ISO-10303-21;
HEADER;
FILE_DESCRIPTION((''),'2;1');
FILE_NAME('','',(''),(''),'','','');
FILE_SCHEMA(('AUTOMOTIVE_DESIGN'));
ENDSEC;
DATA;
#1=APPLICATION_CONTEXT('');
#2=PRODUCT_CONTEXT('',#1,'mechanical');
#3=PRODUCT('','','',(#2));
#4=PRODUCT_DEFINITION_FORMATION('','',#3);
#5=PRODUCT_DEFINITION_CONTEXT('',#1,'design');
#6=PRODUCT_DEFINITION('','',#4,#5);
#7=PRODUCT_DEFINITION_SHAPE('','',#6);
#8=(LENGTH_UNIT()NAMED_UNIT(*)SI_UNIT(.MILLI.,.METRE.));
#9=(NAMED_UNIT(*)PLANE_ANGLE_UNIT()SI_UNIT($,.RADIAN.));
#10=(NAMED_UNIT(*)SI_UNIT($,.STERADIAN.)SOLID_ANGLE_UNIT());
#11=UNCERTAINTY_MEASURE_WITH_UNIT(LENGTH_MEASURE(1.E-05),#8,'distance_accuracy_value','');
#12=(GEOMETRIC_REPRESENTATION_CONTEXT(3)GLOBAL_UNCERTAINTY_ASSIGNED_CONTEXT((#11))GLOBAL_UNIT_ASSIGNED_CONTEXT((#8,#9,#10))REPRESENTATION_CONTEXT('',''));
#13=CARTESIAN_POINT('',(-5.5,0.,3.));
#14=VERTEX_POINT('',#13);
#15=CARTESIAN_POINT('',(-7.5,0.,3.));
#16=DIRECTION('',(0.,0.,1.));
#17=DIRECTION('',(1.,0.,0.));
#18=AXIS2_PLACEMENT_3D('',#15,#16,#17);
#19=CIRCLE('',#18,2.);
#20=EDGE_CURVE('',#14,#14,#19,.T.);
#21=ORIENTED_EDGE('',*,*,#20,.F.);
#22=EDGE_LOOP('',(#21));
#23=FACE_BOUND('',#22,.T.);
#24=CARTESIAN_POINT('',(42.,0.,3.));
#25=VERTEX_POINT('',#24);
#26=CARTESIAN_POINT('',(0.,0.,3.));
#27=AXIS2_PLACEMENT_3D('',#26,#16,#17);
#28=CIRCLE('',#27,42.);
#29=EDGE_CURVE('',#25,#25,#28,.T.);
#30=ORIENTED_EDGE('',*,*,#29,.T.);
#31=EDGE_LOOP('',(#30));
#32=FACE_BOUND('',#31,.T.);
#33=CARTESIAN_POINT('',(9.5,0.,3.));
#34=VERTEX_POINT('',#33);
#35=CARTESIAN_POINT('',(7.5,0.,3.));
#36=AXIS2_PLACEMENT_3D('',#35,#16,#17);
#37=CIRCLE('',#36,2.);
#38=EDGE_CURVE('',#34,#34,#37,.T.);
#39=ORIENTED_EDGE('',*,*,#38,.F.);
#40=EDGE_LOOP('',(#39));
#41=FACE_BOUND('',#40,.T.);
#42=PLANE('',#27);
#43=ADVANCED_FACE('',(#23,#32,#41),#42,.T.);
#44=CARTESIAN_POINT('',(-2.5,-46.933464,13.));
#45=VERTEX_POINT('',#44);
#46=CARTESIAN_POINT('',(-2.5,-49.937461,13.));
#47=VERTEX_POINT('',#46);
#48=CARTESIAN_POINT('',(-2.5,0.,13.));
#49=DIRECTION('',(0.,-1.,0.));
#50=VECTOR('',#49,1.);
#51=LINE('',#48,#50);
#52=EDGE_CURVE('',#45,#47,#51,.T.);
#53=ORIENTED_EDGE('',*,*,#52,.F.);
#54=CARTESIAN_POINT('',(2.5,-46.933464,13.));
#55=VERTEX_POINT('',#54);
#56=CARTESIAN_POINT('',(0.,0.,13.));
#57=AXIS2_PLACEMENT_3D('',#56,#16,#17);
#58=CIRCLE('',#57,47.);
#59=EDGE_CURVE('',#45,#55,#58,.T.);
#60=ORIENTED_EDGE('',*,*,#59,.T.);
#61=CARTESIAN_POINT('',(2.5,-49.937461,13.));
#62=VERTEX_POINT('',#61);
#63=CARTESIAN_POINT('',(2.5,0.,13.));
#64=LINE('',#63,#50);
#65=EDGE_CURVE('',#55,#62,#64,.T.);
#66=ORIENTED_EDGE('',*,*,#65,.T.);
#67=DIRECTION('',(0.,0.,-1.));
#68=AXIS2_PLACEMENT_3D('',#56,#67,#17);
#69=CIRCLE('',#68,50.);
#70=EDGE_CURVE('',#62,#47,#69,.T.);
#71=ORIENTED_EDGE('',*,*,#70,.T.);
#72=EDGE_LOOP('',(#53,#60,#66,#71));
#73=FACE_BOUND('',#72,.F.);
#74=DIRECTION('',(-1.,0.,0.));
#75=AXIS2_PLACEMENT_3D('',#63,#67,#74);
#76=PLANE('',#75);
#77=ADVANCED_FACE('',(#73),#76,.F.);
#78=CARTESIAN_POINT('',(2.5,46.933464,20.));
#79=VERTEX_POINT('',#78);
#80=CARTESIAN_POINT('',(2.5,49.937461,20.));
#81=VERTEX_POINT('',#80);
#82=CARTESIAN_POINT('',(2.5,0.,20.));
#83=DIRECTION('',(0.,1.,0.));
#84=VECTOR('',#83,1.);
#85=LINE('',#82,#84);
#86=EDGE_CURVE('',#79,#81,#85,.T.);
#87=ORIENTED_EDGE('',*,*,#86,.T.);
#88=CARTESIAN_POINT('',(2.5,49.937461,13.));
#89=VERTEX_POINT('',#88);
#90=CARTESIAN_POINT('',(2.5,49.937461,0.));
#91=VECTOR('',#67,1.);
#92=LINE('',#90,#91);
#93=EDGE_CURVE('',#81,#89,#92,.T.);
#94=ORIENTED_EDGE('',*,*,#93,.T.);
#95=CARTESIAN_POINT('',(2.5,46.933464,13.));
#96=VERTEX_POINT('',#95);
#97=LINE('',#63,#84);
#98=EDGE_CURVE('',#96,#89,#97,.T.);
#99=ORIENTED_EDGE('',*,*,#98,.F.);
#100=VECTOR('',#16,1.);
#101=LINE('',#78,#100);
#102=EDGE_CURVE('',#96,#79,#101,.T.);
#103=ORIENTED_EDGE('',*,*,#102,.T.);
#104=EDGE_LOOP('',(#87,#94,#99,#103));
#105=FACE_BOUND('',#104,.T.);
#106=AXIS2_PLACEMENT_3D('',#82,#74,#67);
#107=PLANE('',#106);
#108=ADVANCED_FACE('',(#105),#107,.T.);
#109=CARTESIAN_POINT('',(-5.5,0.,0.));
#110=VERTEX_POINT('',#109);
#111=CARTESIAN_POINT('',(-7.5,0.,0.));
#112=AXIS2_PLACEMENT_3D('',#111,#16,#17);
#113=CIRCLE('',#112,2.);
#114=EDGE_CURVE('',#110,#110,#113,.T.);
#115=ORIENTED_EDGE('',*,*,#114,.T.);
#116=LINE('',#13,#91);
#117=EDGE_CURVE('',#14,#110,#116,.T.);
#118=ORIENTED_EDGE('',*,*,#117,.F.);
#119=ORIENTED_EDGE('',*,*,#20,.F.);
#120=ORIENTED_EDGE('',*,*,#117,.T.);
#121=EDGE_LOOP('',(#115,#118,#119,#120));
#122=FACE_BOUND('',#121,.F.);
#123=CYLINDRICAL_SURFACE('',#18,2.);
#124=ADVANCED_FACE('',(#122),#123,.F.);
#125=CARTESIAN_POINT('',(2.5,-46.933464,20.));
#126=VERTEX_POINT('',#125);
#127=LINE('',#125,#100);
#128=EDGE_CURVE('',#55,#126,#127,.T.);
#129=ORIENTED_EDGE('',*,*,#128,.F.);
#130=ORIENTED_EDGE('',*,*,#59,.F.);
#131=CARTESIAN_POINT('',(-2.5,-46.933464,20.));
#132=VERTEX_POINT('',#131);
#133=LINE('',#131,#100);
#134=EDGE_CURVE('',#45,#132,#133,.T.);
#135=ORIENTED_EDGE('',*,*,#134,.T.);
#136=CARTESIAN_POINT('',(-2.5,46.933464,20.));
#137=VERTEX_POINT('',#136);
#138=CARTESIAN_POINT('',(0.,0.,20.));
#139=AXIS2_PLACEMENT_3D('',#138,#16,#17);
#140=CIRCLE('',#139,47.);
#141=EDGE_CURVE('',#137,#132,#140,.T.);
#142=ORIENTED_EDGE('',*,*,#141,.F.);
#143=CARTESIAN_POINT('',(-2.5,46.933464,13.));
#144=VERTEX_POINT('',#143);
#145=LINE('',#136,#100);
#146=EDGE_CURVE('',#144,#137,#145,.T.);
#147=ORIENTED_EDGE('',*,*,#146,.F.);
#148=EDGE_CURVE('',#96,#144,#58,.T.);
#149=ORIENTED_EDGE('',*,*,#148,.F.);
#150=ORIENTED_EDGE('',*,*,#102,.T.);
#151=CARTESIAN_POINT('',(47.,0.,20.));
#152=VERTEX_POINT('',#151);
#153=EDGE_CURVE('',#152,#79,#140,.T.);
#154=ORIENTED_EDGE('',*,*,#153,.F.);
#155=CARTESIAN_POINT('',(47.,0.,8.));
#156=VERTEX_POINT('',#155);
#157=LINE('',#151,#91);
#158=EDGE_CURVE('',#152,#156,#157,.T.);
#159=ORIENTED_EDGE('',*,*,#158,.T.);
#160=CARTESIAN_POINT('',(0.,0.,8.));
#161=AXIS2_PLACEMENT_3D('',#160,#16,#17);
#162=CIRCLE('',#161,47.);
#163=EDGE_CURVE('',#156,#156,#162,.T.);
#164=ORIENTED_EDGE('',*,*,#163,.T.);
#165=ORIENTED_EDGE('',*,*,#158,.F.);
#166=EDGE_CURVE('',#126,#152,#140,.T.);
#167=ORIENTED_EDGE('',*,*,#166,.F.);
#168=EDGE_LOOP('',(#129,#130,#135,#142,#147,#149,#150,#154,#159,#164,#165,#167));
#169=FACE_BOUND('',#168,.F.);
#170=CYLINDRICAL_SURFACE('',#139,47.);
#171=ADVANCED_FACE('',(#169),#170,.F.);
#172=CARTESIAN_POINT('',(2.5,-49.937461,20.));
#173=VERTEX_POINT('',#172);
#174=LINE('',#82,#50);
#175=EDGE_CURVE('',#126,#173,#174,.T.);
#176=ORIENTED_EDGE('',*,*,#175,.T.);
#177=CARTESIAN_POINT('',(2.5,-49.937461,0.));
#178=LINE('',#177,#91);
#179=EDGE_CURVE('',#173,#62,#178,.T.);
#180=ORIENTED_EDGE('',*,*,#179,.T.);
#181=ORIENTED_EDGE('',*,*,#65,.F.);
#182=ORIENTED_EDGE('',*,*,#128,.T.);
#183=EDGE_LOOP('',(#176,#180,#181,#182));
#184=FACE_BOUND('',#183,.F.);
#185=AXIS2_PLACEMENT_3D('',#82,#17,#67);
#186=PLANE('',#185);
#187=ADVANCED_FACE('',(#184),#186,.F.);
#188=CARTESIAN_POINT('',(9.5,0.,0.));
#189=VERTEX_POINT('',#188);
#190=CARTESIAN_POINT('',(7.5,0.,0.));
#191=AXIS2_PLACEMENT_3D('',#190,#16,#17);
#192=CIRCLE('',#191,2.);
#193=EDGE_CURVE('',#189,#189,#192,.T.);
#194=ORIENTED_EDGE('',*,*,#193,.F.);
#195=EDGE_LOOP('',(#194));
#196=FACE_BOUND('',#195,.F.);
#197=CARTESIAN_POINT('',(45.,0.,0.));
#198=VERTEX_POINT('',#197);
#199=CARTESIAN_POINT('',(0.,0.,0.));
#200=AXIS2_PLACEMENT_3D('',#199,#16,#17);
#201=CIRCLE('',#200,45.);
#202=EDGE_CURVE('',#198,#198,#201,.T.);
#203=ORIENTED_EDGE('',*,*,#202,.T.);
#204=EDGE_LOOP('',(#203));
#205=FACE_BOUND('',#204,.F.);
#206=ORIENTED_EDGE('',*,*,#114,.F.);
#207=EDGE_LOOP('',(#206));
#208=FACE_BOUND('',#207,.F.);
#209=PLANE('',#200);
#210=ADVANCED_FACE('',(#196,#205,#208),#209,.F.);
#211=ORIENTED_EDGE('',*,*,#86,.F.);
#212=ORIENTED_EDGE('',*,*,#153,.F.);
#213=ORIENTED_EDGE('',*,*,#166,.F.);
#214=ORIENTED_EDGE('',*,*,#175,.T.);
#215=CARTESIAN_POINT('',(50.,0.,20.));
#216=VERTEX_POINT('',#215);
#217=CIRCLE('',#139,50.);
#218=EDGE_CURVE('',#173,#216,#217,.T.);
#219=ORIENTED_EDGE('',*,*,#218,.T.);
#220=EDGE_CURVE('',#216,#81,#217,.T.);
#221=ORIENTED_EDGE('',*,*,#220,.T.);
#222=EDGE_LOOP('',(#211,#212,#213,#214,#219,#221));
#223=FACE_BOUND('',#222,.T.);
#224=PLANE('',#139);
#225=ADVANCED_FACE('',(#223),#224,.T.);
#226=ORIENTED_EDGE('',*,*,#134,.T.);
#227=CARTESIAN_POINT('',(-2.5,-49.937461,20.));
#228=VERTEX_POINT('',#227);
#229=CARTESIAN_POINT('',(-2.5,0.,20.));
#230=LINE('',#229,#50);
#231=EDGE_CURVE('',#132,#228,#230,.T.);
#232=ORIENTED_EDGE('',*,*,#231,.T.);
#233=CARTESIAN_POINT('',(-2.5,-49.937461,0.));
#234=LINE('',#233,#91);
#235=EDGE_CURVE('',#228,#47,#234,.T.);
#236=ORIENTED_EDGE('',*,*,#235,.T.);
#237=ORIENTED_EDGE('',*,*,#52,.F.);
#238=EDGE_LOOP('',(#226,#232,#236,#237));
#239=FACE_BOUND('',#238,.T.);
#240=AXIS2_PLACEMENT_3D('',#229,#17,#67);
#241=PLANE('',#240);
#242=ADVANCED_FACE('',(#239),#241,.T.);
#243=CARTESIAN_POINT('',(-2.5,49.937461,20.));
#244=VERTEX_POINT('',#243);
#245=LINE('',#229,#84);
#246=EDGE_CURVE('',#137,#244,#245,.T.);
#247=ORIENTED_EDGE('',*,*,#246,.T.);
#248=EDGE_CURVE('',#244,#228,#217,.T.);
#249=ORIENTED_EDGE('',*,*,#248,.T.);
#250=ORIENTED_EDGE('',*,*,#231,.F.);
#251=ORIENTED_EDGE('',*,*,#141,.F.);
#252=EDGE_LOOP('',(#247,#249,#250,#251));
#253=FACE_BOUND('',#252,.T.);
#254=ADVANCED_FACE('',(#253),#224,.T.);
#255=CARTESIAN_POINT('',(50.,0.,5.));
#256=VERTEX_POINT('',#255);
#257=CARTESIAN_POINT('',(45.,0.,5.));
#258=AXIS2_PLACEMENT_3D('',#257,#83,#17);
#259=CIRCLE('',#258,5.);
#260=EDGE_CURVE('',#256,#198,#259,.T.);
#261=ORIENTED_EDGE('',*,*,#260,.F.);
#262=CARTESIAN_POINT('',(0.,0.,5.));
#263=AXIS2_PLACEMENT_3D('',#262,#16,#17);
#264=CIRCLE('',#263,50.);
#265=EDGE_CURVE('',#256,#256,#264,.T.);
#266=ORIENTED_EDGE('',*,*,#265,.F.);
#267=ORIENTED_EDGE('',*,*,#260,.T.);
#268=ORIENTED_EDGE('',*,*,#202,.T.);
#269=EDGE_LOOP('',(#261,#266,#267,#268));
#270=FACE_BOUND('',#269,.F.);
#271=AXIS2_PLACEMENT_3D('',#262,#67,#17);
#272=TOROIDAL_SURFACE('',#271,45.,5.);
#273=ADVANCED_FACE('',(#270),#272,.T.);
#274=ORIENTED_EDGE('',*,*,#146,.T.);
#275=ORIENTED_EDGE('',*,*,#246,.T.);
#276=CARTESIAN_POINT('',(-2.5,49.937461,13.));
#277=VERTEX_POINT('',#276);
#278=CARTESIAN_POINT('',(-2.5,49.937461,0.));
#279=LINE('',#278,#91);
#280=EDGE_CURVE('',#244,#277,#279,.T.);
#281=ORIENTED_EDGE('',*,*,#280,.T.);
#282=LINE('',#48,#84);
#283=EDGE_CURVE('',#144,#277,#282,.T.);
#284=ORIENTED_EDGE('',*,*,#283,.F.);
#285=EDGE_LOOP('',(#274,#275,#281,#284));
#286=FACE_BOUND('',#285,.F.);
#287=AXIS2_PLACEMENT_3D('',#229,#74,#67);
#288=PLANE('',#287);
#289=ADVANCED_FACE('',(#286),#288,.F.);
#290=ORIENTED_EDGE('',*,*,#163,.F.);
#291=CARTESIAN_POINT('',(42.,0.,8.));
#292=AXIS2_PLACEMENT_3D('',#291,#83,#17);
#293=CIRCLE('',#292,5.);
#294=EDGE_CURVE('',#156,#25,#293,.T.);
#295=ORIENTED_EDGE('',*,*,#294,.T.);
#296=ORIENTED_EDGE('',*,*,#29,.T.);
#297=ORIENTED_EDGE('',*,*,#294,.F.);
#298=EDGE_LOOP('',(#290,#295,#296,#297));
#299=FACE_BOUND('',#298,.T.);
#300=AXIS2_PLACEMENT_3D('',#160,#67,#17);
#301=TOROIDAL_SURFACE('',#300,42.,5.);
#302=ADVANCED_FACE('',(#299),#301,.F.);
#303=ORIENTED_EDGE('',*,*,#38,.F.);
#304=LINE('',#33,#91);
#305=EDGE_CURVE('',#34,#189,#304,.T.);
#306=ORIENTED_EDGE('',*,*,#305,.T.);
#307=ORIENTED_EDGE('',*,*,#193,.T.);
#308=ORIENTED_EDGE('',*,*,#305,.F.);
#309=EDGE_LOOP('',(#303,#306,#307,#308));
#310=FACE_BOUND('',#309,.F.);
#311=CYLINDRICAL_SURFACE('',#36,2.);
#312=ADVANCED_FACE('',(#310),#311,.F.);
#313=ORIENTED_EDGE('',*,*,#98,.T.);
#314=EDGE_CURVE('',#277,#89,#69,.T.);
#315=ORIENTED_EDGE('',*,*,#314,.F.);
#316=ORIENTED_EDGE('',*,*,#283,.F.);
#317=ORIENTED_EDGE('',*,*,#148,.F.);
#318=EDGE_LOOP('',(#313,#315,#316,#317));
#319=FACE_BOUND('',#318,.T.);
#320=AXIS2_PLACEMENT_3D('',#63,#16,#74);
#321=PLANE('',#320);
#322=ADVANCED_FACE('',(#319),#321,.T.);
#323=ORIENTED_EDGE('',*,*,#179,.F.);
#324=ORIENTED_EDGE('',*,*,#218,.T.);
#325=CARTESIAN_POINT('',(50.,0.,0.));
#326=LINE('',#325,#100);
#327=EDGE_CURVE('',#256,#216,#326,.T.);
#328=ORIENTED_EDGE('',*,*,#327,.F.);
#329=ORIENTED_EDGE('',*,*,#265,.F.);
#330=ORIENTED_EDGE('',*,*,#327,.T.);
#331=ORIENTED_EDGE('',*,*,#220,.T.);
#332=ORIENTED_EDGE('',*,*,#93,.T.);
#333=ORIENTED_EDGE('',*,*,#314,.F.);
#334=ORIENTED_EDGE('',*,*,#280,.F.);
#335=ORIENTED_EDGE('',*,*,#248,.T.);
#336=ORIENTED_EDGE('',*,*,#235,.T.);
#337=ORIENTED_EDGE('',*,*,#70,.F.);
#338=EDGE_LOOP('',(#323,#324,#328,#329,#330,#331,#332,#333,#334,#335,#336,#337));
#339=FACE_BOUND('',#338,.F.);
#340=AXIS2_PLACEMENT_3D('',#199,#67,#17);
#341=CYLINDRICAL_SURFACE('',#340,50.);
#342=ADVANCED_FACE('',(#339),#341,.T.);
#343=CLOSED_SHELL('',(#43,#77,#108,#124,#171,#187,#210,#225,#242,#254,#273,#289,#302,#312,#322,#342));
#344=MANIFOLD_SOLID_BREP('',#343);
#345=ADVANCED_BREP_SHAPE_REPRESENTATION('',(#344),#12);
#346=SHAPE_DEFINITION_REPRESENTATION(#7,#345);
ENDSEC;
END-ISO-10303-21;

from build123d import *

# Parameters (mm, degrees)
SKETCH_R             = 50
PAD_DEPTH            = 20
FILLET_R             = 5
SKETCH001_R          = 47
POCKET_DEPTH         = 17
FILLET001_R          = 5
SKETCH002_R          = 2
POCKET001_DEPTH      = 5
SKETCH003_W          = 7
SKETCH003_H          = 5
POCKET002_DEPTH      = 50.001
POCKET002_DEPTH_BACK = -50.001


with BuildPart() as part:
    # Sketch → Pad (new body)
    with BuildSketch(Plane.XY):
        Circle(SKETCH_R)
    extrude(amount=PAD_DEPTH)

    # Fillet
    fillet_edges = [part.edges().sort_by_distance(p)[0] for p in [
        (-50, 0, 0),
    ]]
    fillet(fillet_edges, radius=FILLET_R)

    # Sketch001 (on Face3 of Fillet) → Pocket (cut)
    with BuildSketch(Plane.XY.offset(20)):
        Circle(SKETCH001_R)
    extrude(amount=-POCKET_DEPTH, mode=Mode.SUBTRACT)

    # Fillet001
    fillet001_edges = [part.edges().sort_by_distance(p)[0] for p in [
        (-47, 0, 3),
    ]]
    fillet(fillet001_edges, radius=FILLET001_R)

    # Sketch002 (on Face4 of Fillet001) → Pocket001 (cut)
    with BuildSketch(Plane.XY.offset(3)):
        with Locations((-7.5, 0)):
            Circle(SKETCH002_R)
        with Locations((7.5, 0)):
            Circle(SKETCH002_R)
    extrude(amount=-POCKET001_DEPTH, mode=Mode.SUBTRACT)

    # Sketch003 (on DatumPlane) → Pocket002 (cut, two sides)
    with BuildSketch(Plane(origin=(0, 0, 5), x_dir=(0, 0, -1), z_dir=(0, 1, 0))) as pocket002_sk:
        with Locations((-11.5, 0)):
            Rectangle(SKETCH003_W, SKETCH003_H)
    extrude(amount=-POCKET002_DEPTH, mode=Mode.SUBTRACT)
    extrude(pocket002_sk.sketch, amount=-POCKET002_DEPTH_BACK, mode=Mode.SUBTRACT)


solid = part.part
